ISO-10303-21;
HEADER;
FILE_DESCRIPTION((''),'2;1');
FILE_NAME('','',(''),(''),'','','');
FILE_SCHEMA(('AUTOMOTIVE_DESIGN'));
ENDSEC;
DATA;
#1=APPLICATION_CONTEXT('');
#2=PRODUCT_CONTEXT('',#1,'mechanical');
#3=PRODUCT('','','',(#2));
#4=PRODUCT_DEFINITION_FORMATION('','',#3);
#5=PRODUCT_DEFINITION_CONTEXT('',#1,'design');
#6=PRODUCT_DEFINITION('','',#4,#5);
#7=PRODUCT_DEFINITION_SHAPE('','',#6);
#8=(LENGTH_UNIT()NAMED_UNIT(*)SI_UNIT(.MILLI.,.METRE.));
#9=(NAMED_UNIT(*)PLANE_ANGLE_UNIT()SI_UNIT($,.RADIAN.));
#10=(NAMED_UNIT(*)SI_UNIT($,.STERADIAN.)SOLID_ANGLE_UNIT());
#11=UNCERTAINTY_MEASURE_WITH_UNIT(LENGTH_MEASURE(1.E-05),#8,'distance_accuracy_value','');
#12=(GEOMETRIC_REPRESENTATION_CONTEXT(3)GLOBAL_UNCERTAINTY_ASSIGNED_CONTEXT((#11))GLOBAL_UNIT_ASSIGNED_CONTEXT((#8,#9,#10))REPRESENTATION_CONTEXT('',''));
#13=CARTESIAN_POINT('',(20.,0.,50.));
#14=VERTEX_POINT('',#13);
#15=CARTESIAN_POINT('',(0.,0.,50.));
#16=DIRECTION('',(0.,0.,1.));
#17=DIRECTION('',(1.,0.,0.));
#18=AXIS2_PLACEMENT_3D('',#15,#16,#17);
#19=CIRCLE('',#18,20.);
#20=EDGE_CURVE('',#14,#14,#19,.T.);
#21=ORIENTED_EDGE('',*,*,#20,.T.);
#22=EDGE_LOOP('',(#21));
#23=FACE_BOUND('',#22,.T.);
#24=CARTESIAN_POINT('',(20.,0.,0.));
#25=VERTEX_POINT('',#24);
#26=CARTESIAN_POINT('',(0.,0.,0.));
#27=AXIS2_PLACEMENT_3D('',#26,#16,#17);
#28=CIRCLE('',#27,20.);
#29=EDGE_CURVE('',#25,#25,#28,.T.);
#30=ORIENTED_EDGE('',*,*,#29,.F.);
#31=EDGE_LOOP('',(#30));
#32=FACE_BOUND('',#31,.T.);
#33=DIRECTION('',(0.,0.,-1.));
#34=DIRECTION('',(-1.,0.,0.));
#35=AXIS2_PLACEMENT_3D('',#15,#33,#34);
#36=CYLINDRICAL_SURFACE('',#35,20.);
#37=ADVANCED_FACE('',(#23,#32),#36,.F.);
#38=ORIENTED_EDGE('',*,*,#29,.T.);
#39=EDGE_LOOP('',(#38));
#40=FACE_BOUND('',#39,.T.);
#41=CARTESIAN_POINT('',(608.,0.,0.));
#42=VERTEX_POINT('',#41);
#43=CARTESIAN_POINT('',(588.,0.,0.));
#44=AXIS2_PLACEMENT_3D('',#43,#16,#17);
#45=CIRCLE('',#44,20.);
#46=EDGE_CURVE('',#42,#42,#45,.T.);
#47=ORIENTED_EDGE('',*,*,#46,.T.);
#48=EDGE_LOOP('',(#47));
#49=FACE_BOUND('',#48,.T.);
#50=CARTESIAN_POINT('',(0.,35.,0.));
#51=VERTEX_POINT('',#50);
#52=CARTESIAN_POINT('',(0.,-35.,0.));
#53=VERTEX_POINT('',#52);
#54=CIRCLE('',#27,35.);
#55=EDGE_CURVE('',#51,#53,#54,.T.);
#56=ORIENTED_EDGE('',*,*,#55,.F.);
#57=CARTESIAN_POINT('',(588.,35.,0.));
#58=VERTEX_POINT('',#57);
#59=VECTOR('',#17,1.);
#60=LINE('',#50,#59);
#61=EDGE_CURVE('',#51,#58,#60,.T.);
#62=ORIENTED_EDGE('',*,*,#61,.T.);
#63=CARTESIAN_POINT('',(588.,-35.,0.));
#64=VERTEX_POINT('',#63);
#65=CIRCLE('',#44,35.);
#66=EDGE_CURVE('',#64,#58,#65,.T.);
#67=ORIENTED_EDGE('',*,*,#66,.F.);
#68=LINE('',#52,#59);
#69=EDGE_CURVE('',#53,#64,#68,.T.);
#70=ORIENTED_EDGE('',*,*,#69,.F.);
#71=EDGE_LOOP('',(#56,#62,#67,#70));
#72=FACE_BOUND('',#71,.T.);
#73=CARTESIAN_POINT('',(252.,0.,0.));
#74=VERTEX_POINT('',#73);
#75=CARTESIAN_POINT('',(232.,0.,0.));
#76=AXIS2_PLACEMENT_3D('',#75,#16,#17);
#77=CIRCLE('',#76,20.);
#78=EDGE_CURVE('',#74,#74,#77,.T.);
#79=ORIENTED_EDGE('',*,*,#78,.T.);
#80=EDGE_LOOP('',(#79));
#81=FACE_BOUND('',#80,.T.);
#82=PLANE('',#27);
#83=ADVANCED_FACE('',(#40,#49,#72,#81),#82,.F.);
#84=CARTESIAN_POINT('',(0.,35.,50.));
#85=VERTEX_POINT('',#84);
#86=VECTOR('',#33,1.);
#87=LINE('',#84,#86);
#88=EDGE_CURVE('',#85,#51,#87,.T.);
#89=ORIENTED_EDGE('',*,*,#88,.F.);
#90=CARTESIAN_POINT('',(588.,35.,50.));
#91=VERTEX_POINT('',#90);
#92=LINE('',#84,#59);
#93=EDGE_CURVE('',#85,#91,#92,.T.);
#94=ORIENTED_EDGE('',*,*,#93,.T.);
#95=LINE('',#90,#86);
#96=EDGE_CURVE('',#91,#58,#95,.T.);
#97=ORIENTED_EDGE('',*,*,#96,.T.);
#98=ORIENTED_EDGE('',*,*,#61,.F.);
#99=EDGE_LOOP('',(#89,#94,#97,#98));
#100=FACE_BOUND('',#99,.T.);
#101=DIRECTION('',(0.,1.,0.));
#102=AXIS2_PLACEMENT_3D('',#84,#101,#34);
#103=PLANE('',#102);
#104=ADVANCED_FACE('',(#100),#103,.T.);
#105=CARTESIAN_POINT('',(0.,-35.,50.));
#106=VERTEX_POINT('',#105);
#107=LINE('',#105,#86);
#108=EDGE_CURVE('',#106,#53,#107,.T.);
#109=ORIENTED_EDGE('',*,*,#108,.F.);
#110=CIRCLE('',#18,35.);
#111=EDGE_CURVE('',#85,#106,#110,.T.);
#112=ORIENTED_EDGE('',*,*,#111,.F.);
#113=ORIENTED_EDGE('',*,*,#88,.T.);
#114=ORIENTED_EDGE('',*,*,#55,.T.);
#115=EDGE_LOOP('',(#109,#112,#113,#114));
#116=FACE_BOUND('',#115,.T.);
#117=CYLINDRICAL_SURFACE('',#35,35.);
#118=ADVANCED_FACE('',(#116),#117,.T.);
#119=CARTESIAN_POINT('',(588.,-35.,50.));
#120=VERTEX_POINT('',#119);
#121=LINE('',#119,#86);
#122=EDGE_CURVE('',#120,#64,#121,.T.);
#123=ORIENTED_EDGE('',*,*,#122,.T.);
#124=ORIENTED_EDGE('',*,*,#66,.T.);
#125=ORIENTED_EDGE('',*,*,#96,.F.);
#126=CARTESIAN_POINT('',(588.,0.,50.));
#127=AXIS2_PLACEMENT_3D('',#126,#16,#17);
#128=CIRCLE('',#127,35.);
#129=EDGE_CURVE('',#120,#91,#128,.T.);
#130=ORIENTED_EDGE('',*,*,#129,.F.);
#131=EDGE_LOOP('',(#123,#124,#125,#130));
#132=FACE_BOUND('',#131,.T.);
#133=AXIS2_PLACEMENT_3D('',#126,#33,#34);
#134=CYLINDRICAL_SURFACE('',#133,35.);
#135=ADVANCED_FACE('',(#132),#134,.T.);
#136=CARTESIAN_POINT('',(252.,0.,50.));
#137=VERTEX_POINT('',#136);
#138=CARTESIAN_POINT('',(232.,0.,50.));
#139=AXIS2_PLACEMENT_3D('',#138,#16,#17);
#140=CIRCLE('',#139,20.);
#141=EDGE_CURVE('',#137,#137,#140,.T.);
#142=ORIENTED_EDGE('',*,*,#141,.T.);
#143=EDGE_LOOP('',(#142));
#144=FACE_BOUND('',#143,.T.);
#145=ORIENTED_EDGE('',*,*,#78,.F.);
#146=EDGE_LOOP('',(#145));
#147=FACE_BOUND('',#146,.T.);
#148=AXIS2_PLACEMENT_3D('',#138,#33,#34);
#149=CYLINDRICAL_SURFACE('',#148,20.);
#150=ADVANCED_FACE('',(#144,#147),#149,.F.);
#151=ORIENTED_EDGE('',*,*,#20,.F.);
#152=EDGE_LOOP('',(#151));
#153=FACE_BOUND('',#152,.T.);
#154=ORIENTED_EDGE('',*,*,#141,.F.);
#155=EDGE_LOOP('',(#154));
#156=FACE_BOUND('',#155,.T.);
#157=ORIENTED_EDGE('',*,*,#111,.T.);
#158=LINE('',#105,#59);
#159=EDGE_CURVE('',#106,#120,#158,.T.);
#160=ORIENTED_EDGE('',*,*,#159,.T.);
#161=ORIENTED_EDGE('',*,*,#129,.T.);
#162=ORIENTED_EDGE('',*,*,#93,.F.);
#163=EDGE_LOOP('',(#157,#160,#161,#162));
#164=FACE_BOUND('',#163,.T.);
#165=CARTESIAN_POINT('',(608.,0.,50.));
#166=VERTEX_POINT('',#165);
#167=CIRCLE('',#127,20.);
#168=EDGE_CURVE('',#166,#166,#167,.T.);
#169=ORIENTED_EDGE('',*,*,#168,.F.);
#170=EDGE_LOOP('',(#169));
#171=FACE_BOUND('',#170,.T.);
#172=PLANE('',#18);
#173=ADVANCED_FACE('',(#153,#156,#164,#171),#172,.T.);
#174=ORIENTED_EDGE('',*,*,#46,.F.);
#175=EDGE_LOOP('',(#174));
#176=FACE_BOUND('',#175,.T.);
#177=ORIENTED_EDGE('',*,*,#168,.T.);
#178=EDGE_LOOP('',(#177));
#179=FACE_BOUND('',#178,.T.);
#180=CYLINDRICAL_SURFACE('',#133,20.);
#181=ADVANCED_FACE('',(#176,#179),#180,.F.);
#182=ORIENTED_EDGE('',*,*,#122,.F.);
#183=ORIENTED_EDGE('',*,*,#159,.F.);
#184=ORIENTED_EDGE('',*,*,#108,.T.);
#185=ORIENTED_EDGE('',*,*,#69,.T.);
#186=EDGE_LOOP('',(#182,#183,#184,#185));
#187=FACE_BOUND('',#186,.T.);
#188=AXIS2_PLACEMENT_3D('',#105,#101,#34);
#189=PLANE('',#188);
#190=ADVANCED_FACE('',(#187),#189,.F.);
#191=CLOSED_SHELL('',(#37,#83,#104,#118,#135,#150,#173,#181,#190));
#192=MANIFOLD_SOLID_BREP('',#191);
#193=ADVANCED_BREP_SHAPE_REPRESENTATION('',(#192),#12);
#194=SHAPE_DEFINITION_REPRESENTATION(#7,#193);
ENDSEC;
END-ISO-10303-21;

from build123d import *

# Parameters (mm, degrees)
SKETCH_1_R      = 20
EXTRUDE_1_DEPTH = 50


with BuildPart() as part:
    # 草图1 → 凸台-拉伸1 (new body)
    with BuildSketch(Plane.XY):
        with BuildLine():
            Line((0, 35), (588, 35))
            ThreePointArc((588, 35), (623, 0), (588, -35))
            Line((588, -35), (0, -35))
            ThreePointArc((0, -35), (-35, 0), (0, 35))
        make_face()
        Circle(SKETCH_1_R, mode=Mode.SUBTRACT)
        with Locations((232, 0)):
            Circle(SKETCH_1_R, mode=Mode.SUBTRACT)
        with Locations((588, 0)):
            Circle(SKETCH_1_R, mode=Mode.SUBTRACT)
    extrude(amount=EXTRUDE_1_DEPTH)


solid = part.part
